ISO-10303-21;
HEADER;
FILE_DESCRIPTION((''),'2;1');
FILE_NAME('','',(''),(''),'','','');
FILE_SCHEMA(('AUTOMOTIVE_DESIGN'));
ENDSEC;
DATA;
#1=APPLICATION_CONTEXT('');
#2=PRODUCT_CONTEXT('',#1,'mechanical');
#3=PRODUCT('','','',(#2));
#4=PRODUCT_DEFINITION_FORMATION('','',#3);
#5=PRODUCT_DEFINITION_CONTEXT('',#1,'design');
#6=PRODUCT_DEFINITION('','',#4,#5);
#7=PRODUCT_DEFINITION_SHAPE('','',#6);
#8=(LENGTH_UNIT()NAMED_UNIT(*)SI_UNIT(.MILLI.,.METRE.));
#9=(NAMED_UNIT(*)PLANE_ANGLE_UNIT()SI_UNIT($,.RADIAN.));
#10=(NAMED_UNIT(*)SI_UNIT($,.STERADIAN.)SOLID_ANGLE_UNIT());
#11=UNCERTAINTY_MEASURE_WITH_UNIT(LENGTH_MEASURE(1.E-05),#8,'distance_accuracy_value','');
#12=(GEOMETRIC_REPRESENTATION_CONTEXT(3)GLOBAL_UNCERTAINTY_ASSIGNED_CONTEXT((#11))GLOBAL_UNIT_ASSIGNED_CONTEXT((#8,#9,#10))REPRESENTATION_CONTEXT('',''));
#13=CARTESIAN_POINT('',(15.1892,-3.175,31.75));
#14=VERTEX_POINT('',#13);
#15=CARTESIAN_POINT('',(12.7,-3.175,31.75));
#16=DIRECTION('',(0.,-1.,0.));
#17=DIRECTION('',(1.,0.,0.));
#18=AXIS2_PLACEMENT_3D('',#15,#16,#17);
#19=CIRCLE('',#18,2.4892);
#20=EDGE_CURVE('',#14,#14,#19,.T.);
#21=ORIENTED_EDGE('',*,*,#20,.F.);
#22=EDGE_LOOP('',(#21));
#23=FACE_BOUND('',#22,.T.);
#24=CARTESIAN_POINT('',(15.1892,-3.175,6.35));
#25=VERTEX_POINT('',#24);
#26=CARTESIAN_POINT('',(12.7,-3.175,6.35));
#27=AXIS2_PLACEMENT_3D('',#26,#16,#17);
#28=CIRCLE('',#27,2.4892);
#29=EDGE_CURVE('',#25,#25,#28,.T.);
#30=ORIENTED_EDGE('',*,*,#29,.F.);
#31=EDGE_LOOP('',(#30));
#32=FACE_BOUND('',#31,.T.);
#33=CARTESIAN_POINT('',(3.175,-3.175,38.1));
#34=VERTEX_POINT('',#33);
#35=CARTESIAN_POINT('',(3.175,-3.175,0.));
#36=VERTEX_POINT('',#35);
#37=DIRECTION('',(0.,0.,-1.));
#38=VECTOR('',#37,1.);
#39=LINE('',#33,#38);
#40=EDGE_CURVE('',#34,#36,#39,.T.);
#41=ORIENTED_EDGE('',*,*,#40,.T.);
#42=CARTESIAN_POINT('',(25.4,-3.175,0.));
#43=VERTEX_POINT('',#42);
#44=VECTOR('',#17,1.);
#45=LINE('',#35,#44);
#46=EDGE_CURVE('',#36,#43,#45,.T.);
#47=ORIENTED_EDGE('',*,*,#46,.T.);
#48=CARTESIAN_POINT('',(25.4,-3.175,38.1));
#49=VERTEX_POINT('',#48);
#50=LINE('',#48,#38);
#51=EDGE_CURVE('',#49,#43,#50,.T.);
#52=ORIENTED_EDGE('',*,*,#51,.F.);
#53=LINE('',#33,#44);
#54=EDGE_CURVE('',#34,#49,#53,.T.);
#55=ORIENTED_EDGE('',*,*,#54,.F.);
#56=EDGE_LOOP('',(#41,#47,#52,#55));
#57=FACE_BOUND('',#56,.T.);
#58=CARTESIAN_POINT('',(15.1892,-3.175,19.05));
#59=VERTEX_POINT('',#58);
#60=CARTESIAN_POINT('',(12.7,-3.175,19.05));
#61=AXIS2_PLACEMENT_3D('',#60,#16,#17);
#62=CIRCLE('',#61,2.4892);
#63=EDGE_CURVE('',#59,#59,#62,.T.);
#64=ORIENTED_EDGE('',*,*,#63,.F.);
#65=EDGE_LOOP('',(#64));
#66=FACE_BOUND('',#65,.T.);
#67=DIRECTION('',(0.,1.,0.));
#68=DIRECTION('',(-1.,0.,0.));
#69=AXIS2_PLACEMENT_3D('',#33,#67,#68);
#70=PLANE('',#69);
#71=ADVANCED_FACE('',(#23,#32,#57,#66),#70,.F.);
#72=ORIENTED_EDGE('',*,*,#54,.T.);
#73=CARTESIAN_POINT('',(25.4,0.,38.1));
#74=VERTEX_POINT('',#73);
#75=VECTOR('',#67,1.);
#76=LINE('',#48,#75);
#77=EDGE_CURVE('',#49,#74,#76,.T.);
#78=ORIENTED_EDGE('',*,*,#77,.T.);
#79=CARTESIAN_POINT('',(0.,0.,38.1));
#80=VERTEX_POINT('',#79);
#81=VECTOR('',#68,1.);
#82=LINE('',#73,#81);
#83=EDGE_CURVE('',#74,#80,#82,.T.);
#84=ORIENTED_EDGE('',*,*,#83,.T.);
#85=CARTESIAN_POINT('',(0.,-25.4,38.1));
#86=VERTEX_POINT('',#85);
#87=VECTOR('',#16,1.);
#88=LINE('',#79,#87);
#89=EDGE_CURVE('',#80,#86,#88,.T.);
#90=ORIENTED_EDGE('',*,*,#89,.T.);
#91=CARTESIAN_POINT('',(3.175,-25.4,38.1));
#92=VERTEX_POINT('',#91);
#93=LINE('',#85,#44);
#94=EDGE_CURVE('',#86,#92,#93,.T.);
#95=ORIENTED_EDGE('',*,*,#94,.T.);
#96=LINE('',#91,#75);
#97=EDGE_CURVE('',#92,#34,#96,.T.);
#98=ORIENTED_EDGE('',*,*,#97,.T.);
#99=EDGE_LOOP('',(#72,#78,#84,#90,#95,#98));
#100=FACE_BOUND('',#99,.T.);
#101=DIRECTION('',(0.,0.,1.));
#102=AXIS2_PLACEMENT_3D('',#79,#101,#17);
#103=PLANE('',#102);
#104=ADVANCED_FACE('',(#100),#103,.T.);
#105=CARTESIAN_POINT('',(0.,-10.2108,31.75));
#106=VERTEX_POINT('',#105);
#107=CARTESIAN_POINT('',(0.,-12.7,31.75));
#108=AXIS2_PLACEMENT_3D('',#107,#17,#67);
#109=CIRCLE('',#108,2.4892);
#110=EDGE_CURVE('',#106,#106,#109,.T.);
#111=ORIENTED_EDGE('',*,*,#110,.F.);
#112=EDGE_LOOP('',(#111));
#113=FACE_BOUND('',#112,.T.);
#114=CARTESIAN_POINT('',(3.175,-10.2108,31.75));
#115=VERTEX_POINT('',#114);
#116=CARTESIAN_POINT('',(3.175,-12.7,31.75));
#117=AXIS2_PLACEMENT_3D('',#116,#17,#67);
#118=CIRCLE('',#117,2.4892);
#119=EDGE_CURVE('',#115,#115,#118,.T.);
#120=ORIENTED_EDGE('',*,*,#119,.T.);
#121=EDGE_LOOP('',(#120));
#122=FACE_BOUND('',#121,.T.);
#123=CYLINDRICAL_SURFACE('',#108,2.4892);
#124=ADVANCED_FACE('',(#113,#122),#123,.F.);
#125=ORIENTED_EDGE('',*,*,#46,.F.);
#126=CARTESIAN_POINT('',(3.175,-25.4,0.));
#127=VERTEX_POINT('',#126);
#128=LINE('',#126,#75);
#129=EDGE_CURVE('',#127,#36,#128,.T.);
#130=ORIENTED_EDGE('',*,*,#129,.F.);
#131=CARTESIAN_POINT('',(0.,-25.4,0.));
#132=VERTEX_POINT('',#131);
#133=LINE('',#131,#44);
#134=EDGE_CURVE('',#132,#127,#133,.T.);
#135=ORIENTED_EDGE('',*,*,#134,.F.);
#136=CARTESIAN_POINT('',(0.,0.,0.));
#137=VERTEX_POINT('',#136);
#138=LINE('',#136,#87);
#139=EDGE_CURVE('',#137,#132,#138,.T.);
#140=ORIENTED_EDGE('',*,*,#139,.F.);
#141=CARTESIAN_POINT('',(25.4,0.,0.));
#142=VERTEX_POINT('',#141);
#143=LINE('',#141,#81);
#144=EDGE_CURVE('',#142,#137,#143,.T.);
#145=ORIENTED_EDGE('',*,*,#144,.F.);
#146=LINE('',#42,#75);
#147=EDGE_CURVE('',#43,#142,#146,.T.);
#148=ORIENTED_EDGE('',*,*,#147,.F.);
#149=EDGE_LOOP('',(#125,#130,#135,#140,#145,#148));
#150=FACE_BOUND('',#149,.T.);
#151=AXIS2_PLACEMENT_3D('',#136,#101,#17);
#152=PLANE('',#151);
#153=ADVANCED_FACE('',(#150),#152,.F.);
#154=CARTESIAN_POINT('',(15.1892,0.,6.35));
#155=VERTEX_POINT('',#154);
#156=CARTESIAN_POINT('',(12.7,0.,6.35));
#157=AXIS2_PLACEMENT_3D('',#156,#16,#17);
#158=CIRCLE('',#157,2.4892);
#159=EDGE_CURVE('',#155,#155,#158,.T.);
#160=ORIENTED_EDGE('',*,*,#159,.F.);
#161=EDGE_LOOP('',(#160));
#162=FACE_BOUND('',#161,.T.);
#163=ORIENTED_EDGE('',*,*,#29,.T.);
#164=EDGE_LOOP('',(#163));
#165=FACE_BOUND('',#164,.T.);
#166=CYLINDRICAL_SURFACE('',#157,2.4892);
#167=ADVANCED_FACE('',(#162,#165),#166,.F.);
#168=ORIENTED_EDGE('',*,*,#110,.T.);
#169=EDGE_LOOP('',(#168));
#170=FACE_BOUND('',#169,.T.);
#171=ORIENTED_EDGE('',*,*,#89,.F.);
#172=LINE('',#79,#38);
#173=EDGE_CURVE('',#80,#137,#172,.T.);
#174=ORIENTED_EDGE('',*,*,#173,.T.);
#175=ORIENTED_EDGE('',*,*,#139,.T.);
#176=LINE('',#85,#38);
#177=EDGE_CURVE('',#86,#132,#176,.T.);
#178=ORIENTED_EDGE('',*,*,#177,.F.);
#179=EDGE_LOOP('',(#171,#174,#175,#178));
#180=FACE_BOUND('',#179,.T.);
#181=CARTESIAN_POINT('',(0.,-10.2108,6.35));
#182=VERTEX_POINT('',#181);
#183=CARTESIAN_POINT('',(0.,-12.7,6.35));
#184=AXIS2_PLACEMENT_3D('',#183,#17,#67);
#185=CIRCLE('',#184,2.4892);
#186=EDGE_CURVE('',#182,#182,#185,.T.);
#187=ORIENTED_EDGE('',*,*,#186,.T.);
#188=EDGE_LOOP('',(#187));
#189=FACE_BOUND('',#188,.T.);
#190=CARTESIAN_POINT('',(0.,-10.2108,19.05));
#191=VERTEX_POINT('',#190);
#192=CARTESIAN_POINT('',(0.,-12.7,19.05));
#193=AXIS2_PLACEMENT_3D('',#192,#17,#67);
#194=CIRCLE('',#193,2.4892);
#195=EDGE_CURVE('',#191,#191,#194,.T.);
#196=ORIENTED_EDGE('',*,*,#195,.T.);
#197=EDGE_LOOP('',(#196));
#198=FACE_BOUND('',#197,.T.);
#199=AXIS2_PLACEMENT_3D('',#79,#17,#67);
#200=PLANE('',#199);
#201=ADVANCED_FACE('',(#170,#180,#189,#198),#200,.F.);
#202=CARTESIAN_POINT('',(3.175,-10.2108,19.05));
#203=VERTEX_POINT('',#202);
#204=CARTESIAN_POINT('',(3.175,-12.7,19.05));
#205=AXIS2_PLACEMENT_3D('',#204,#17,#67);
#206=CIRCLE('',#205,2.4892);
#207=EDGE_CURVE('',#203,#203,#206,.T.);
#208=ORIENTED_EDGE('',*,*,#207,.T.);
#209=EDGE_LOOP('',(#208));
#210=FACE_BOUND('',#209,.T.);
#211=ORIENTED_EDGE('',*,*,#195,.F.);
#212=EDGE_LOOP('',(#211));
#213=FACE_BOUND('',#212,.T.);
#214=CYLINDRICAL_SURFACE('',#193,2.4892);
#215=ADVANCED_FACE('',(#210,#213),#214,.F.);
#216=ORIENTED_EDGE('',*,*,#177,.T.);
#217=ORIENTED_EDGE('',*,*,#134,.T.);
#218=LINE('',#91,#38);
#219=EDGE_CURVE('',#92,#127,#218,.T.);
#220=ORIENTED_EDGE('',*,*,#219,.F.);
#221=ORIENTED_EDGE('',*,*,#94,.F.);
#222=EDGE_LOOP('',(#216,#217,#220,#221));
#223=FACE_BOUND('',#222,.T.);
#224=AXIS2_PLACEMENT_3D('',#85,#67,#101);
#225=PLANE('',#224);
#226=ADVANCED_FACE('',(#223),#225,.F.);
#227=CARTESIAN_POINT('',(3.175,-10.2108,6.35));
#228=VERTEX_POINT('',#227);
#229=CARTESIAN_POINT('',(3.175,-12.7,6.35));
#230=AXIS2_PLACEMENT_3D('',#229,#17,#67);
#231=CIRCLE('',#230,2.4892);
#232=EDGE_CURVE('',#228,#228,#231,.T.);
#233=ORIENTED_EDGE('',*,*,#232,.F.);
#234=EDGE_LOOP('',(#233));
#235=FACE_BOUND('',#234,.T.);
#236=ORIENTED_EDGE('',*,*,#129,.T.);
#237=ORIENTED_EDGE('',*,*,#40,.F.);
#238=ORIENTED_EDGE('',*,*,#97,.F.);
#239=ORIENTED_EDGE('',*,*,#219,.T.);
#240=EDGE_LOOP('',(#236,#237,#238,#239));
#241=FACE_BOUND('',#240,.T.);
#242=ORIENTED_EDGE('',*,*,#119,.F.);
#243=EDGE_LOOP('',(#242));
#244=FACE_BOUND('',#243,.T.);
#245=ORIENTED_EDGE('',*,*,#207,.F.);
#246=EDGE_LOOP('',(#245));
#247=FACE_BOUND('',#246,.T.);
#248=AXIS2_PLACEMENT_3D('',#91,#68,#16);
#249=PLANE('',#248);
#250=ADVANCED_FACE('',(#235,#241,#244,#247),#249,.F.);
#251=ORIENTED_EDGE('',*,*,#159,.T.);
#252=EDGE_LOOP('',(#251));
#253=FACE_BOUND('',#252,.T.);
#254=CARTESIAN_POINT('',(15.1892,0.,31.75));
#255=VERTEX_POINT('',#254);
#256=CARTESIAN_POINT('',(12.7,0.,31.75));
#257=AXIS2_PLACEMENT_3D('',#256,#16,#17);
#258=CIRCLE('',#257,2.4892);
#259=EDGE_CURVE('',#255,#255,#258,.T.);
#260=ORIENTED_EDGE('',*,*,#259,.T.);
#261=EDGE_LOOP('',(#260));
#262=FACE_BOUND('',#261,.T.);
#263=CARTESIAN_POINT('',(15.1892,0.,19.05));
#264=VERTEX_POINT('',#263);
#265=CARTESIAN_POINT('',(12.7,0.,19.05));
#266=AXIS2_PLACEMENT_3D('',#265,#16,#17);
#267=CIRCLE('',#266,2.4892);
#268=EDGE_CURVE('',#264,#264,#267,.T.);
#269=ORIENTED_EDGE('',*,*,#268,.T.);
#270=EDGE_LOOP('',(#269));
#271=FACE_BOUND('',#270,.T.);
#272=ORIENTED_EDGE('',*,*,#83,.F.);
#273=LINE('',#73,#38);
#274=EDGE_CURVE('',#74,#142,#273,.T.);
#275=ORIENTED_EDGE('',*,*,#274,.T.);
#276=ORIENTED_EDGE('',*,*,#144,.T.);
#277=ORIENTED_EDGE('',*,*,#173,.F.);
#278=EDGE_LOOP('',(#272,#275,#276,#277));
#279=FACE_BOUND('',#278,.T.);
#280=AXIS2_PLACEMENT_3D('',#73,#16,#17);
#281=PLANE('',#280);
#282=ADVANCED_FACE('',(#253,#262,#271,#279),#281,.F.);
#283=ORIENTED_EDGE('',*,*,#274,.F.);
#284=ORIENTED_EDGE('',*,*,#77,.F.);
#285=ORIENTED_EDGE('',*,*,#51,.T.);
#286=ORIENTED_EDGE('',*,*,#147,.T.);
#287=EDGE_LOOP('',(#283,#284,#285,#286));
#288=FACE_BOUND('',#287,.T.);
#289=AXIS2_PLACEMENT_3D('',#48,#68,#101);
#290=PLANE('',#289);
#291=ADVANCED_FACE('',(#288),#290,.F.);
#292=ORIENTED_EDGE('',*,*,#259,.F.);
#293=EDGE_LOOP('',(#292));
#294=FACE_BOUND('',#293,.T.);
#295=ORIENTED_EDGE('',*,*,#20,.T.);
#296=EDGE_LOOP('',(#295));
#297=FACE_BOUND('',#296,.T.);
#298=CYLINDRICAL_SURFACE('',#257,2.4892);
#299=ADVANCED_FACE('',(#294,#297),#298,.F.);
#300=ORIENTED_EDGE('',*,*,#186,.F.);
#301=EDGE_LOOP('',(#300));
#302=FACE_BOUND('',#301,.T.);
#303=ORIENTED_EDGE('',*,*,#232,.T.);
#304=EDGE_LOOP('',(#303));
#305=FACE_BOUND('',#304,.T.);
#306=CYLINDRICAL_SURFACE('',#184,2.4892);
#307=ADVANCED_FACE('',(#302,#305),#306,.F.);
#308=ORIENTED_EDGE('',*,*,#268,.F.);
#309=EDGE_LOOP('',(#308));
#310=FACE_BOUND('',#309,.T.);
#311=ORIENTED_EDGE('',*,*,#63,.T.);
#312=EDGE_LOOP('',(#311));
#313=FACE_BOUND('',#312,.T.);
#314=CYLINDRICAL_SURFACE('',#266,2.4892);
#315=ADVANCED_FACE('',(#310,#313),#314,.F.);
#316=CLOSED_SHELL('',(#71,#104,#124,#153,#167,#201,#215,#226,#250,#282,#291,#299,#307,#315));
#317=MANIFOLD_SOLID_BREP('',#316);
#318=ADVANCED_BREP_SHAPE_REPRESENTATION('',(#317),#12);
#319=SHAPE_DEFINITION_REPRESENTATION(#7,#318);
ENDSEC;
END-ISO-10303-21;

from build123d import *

# Parameters (mm, degrees)
BOSS_EXTRUDE1_DEPTH = 38.1
SKETCH5_R           = 2.4892
CUT_EXTRUDE1_DEPTH  = 51.899122045
SKETCH6_R           = 2.4892
CUT_EXTRUDE2_DEPTH  = 51.899122045


with BuildPart() as part:
    # Sketch2 → Boss-Extrude1 (new body)
    with BuildSketch(Plane.XY):
        Polygon((0, 0), (0, -25.4), (3.175, -25.4), (3.175, -3.175), (25.4, -3.175), (25.4, 0), align=None)
    extrude(amount=BOSS_EXTRUDE1_DEPTH)

    # Sketch5 → Cut-Extrude1 (cut, through all)
    with BuildSketch(Plane(origin=(3.175, 0, 0), x_dir=(0, 0, -1), z_dir=(1, 0, 0))):
        with Locations(Location((-6.35, -12.7, 0), (0, 0, 90))):
            Circle(SKETCH5_R)
        with Locations(Location((-19.05, -12.7, 0), (0, 0, 90))):
            Circle(SKETCH5_R)
        with Locations(Location((-31.75, -12.7, 0), (0, 0, 90))):
            Circle(SKETCH5_R)
        with Locations((-44.45, -12.7)):
            Circle(SKETCH5_R)
    extrude(amount=-CUT_EXTRUDE1_DEPTH, mode=Mode.SUBTRACT)

    # Sketch6 → Cut-Extrude2 (cut, through all)
    with BuildSketch(Plane.XZ.offset(3.175)):
        with Locations((12.7, 6.35)):
            Circle(SKETCH6_R)
        with Locations((12.7, 19.05)):
            Circle(SKETCH6_R)
        with Locations((12.7, 31.75)):
            Circle(SKETCH6_R)
        with Locations((12.7, 44.45)):
            Circle(SKETCH6_R)
    extrude(amount=-CUT_EXTRUDE2_DEPTH, mode=Mode.SUBTRACT)


solid = part.part
